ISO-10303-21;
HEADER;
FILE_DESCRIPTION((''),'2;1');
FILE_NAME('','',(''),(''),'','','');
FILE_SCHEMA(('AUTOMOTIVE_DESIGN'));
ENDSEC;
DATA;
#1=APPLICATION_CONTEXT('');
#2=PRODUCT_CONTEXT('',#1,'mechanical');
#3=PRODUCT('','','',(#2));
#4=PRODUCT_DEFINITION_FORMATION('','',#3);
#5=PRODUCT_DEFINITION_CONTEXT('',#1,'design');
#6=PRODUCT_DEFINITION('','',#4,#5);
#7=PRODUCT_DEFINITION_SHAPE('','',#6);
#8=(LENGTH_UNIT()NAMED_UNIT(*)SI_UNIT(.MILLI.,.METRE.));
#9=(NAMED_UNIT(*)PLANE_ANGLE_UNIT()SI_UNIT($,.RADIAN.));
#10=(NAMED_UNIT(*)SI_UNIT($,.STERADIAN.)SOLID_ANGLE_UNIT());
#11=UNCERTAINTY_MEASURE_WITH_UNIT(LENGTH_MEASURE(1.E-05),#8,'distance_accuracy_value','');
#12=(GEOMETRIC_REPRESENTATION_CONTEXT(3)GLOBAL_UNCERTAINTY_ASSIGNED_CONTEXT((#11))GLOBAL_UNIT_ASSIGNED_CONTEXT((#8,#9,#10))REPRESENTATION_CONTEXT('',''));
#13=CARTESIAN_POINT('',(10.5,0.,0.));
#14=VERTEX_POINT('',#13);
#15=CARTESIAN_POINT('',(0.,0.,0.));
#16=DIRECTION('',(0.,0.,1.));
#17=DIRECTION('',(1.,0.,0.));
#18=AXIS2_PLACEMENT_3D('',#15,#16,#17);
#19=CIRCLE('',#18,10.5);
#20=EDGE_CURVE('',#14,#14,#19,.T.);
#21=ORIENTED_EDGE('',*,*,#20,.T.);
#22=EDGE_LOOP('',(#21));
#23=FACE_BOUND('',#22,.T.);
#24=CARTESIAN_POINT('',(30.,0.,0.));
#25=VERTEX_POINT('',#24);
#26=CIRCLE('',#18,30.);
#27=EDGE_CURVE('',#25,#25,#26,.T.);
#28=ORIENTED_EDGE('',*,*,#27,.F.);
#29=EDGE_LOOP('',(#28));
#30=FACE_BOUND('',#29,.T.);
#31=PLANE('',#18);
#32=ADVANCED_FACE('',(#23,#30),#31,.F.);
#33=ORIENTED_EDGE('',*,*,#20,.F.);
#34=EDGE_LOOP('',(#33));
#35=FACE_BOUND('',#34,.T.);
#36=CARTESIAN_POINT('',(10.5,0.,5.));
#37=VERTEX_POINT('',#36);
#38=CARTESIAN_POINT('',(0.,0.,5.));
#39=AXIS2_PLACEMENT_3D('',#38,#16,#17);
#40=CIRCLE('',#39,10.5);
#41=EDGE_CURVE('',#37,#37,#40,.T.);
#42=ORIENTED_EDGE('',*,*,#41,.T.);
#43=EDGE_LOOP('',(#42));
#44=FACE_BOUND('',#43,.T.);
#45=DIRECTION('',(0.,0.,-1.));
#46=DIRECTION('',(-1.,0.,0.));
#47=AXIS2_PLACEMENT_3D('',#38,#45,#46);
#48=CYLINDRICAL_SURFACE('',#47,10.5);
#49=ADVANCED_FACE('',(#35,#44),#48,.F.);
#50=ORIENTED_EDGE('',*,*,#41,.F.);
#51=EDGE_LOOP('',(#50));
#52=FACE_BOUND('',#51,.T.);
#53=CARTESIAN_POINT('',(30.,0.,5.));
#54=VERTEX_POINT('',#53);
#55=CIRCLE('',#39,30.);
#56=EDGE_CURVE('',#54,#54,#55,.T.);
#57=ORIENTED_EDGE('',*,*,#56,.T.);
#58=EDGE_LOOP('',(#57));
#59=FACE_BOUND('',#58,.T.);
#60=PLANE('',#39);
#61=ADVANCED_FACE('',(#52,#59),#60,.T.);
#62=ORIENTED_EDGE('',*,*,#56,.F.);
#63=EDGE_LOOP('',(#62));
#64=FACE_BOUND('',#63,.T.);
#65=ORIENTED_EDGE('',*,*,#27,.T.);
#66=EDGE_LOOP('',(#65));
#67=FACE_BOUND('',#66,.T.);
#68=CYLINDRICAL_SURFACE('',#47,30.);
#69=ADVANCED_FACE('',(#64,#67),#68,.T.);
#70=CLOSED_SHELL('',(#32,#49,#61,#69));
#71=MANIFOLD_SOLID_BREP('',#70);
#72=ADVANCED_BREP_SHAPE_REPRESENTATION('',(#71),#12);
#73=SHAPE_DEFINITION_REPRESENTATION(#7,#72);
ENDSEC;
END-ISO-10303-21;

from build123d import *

# Parameters (mm, degrees)
SKETCH_1_R        = 30
SKETCH_1_R_2      = 10.5
EXTRUDE_148_DEPTH = 5


with BuildPart() as part:
    # Эскиз1 → Extrude 148 (new body)
    with BuildSketch(Plane.XY):
        Circle(SKETCH_1_R)
        Circle(SKETCH_1_R_2, mode=Mode.SUBTRACT)
    extrude(amount=EXTRUDE_148_DEPTH)


solid = part.part
